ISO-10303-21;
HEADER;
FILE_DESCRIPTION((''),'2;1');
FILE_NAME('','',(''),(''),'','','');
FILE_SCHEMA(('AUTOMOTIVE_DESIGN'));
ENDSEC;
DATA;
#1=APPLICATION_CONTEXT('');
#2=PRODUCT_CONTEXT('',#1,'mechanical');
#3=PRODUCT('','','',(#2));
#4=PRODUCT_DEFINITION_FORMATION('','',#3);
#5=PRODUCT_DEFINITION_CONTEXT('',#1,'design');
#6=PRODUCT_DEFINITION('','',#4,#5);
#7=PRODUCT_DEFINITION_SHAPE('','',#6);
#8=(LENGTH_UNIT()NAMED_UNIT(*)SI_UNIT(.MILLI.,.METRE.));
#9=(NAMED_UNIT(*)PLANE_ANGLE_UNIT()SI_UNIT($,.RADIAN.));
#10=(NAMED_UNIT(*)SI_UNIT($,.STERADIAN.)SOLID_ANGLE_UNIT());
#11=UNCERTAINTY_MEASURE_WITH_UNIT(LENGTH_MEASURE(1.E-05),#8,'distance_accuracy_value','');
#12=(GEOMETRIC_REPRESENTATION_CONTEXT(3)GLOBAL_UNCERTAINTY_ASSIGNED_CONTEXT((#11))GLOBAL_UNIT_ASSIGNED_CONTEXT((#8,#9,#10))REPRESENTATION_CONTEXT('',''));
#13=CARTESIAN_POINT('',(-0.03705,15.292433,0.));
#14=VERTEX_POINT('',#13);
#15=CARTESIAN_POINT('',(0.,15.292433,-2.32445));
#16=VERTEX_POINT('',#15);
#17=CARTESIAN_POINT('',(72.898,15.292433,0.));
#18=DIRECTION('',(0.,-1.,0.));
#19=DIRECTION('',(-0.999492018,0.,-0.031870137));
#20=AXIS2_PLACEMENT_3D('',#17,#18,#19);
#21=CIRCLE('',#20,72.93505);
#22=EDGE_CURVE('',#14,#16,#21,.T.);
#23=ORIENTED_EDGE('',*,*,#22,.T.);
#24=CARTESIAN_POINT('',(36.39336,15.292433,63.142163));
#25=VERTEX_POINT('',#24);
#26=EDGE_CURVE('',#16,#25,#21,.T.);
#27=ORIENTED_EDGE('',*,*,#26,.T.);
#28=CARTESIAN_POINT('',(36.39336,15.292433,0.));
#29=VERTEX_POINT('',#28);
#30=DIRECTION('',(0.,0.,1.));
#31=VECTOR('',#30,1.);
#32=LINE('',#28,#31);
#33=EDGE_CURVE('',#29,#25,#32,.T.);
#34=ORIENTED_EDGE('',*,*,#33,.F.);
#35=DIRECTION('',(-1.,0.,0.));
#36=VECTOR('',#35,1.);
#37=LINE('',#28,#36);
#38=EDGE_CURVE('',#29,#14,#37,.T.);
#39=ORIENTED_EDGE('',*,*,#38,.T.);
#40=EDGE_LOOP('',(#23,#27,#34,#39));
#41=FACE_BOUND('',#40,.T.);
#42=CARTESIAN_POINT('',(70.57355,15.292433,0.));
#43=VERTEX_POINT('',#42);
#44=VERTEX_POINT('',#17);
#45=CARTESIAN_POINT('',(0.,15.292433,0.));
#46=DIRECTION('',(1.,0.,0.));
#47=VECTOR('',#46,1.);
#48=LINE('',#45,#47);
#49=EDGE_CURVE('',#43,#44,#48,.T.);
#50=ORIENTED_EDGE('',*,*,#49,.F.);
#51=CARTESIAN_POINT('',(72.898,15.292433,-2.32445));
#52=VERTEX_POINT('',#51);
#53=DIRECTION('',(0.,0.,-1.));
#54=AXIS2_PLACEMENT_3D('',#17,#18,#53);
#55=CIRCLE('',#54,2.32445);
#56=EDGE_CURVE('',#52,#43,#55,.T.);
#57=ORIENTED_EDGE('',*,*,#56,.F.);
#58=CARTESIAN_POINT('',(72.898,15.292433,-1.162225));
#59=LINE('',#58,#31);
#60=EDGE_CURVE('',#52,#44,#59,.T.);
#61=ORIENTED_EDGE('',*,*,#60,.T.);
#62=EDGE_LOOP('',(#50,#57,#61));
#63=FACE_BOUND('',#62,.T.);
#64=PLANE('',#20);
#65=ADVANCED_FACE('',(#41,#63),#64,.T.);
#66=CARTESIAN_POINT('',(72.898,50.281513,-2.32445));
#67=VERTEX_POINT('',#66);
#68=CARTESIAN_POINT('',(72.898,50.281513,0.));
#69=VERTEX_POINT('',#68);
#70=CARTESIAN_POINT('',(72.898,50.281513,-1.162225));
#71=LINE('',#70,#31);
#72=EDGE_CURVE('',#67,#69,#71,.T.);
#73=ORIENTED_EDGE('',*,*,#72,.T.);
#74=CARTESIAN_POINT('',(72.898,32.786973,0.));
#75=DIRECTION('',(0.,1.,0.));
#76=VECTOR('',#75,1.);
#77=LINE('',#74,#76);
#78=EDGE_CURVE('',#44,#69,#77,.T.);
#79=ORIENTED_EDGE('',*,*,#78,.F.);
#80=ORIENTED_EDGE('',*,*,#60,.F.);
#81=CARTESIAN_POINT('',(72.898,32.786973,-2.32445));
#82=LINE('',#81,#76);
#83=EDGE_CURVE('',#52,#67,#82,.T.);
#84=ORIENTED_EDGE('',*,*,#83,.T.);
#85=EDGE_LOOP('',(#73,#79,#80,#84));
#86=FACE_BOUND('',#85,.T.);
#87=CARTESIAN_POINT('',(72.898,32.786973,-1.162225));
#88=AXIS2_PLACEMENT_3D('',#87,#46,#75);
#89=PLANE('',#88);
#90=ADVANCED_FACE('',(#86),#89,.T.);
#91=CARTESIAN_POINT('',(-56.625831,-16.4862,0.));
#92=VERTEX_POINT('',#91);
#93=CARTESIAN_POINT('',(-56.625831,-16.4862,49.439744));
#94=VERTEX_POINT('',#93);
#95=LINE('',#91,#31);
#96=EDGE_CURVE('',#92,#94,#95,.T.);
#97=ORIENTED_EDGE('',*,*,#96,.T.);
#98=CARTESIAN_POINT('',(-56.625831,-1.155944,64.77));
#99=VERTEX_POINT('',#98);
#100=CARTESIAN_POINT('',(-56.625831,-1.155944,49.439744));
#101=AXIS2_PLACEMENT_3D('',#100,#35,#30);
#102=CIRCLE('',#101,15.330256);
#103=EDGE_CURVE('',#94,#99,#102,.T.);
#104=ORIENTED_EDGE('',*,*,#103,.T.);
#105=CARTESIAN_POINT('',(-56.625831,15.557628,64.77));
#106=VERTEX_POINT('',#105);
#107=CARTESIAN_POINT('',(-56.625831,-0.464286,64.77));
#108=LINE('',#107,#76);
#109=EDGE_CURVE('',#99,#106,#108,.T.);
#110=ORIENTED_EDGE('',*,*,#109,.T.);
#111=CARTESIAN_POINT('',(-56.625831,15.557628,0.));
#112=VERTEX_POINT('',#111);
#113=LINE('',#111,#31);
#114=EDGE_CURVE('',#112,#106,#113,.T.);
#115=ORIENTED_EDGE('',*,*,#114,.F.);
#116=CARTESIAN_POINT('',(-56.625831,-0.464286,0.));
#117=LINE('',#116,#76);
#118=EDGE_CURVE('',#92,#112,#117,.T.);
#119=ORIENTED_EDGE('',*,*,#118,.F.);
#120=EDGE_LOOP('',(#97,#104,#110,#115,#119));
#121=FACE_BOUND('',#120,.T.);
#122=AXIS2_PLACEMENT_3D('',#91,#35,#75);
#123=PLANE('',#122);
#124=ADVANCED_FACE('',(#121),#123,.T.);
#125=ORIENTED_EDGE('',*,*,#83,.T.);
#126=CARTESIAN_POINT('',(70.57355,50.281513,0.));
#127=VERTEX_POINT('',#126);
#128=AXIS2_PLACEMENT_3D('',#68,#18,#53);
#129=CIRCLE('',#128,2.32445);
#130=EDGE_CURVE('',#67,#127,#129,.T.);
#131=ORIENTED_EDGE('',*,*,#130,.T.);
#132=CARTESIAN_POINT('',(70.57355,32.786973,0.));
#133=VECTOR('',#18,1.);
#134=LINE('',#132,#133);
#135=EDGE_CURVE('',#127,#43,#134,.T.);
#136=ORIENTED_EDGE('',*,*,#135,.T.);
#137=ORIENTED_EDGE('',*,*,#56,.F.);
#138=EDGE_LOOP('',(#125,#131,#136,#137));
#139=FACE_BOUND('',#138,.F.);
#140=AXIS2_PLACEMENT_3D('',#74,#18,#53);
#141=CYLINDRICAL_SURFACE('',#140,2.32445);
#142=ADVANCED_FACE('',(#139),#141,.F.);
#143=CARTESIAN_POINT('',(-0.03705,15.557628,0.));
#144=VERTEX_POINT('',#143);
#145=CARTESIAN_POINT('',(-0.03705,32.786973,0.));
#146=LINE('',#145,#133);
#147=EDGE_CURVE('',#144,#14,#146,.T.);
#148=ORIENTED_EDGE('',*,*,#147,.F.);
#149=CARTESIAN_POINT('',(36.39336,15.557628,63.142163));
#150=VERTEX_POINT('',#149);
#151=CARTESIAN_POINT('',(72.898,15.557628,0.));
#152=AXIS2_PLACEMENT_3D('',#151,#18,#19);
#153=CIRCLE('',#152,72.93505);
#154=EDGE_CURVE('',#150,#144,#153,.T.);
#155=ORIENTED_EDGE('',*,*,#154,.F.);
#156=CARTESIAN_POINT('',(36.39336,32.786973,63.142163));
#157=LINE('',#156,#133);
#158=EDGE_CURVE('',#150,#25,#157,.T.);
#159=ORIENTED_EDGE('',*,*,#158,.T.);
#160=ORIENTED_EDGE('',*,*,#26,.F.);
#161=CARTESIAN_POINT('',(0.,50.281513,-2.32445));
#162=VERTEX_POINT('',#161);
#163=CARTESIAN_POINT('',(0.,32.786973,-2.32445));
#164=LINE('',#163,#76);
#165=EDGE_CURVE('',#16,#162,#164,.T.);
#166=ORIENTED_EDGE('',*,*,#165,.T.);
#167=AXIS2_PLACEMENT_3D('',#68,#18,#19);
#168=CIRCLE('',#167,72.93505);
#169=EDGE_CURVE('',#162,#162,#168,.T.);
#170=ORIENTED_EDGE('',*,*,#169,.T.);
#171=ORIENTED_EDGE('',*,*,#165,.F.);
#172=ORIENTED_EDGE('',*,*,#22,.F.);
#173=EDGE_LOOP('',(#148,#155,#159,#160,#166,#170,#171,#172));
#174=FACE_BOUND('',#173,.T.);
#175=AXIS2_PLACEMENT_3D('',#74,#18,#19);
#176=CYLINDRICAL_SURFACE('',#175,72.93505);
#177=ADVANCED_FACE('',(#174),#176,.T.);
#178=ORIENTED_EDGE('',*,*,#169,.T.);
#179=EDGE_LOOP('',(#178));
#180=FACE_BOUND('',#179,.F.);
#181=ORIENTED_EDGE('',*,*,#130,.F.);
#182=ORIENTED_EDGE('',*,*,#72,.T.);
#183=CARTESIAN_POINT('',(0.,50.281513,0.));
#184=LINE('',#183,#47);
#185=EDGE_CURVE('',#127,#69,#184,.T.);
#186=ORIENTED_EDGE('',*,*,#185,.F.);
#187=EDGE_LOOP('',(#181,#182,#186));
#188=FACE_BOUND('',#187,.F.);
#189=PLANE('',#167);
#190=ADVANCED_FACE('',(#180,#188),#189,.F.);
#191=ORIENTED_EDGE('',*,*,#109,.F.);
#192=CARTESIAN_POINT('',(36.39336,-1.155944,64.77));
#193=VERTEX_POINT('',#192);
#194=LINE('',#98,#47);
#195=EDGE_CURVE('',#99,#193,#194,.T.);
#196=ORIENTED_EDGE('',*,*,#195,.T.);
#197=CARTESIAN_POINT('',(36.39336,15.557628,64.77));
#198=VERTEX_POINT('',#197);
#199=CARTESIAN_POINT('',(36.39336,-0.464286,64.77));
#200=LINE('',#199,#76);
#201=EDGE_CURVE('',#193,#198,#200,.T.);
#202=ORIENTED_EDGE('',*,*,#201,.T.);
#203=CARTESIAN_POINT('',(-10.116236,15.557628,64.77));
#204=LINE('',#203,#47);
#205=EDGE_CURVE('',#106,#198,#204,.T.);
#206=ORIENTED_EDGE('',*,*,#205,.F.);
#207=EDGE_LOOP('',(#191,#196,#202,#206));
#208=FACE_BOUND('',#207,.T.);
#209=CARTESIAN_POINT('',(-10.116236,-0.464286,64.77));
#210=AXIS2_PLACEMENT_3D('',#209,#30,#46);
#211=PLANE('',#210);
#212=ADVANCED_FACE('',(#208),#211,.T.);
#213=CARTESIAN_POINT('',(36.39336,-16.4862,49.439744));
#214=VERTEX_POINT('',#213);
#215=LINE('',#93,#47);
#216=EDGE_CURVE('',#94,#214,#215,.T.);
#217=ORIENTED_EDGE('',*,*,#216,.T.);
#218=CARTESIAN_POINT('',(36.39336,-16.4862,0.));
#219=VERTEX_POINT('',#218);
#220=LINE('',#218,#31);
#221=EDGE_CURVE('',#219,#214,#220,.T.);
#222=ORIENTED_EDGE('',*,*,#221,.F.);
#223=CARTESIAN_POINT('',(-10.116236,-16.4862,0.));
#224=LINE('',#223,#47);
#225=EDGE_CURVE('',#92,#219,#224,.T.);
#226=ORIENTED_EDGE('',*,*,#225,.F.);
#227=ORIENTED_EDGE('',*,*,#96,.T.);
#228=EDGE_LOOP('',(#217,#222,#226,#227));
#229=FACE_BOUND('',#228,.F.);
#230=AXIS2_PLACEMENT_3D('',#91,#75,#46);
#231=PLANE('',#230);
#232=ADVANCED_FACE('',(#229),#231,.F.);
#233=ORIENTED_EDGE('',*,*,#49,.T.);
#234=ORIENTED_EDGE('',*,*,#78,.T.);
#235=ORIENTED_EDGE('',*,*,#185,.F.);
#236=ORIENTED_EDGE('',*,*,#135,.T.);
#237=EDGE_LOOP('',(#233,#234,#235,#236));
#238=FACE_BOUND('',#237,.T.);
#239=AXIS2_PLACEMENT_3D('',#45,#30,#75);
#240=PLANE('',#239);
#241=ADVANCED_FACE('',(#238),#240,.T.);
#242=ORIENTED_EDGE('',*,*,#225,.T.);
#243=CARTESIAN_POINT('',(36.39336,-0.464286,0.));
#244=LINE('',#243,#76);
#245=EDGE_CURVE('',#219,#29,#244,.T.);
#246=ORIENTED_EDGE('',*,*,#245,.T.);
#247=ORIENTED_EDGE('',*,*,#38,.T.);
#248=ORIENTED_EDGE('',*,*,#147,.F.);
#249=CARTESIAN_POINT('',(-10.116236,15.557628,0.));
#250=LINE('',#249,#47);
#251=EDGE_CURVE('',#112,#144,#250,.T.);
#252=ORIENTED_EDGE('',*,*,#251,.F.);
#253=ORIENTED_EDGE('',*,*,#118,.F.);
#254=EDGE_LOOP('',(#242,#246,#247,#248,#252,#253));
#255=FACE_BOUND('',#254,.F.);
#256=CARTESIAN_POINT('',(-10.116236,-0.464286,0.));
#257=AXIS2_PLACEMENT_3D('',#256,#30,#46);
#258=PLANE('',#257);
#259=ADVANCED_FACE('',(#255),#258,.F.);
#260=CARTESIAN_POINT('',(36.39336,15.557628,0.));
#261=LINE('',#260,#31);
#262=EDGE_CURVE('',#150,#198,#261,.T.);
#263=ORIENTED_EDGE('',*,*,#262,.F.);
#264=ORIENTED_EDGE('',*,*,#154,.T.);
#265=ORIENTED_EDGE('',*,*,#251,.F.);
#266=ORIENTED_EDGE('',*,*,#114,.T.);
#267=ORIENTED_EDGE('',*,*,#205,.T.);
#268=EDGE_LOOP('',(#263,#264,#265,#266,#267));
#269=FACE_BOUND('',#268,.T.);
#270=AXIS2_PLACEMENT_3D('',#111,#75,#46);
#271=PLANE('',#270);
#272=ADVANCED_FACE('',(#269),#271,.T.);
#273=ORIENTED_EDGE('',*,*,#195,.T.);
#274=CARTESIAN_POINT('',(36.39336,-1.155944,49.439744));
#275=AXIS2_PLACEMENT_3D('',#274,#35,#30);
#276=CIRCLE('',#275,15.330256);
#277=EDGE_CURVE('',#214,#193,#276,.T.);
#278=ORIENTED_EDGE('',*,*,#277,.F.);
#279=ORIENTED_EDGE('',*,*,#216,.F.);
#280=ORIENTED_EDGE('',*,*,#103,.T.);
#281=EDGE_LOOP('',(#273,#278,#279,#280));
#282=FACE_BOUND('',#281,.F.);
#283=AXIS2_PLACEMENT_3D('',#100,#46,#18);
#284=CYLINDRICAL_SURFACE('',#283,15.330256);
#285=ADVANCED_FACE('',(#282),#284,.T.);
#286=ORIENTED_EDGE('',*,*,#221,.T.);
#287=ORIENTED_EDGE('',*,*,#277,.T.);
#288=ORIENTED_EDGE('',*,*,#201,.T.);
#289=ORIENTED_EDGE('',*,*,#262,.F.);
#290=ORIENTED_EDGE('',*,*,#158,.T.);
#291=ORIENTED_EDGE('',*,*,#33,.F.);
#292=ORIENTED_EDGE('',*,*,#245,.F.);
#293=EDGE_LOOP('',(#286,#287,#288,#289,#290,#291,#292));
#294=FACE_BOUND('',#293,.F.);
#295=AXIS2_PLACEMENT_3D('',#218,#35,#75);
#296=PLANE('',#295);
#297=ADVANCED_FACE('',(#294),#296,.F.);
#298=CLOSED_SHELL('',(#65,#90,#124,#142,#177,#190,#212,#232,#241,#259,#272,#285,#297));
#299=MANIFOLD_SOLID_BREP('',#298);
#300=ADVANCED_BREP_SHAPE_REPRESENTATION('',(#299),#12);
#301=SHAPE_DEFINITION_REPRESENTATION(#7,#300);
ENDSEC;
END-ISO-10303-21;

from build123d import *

# Parameters (mm, degrees)
F0_W      = 93.019191
F0_H      = 32.043829
F1_DEPTH  = 64.77
F2_R      = 15.330256
F3_W      = 34.98908
F3_H      = 2.32445
F4_DEPTH  = 72.898
F4_FACE_W = 72.898
F4_FACE_H = 34.98908


with BuildPart() as f1:
    # F0 (on Top) → F1 (new body)
    with BuildSketch(Plane.XY):
        with Locations((-10.116236, -0.464286)):
            Rectangle(F0_W, F0_H)
    extrude(amount=F1_DEPTH)

    # F2
    f2_edges = [f1.edges().sort_by_distance(p)[0] for p in [
        (-10.116236, -16.486201, 64.77),
    ]]
    fillet(f2_edges, radius=F2_R)

    # F3 (on Right) → F4 (join)
    with BuildSketch(Plane.YZ):
        with Locations((32.786973, -1.162225)):
            Rectangle(F3_W, F3_H)
    extrude(amount=F4_DEPTH)

    # F4_face (on face) → F5 (revolve)
    with BuildSketch(Plane(origin=(36.449, 32.786973, -2.32445), x_dir=(1, 0, 0), z_dir=(0, 0, -1))):
        Rectangle(F4_FACE_W, F4_FACE_H)
    revolve(axis=Axis((72.898, 32.786973, 0), (0, -1, 0)))


solid = f1.part
